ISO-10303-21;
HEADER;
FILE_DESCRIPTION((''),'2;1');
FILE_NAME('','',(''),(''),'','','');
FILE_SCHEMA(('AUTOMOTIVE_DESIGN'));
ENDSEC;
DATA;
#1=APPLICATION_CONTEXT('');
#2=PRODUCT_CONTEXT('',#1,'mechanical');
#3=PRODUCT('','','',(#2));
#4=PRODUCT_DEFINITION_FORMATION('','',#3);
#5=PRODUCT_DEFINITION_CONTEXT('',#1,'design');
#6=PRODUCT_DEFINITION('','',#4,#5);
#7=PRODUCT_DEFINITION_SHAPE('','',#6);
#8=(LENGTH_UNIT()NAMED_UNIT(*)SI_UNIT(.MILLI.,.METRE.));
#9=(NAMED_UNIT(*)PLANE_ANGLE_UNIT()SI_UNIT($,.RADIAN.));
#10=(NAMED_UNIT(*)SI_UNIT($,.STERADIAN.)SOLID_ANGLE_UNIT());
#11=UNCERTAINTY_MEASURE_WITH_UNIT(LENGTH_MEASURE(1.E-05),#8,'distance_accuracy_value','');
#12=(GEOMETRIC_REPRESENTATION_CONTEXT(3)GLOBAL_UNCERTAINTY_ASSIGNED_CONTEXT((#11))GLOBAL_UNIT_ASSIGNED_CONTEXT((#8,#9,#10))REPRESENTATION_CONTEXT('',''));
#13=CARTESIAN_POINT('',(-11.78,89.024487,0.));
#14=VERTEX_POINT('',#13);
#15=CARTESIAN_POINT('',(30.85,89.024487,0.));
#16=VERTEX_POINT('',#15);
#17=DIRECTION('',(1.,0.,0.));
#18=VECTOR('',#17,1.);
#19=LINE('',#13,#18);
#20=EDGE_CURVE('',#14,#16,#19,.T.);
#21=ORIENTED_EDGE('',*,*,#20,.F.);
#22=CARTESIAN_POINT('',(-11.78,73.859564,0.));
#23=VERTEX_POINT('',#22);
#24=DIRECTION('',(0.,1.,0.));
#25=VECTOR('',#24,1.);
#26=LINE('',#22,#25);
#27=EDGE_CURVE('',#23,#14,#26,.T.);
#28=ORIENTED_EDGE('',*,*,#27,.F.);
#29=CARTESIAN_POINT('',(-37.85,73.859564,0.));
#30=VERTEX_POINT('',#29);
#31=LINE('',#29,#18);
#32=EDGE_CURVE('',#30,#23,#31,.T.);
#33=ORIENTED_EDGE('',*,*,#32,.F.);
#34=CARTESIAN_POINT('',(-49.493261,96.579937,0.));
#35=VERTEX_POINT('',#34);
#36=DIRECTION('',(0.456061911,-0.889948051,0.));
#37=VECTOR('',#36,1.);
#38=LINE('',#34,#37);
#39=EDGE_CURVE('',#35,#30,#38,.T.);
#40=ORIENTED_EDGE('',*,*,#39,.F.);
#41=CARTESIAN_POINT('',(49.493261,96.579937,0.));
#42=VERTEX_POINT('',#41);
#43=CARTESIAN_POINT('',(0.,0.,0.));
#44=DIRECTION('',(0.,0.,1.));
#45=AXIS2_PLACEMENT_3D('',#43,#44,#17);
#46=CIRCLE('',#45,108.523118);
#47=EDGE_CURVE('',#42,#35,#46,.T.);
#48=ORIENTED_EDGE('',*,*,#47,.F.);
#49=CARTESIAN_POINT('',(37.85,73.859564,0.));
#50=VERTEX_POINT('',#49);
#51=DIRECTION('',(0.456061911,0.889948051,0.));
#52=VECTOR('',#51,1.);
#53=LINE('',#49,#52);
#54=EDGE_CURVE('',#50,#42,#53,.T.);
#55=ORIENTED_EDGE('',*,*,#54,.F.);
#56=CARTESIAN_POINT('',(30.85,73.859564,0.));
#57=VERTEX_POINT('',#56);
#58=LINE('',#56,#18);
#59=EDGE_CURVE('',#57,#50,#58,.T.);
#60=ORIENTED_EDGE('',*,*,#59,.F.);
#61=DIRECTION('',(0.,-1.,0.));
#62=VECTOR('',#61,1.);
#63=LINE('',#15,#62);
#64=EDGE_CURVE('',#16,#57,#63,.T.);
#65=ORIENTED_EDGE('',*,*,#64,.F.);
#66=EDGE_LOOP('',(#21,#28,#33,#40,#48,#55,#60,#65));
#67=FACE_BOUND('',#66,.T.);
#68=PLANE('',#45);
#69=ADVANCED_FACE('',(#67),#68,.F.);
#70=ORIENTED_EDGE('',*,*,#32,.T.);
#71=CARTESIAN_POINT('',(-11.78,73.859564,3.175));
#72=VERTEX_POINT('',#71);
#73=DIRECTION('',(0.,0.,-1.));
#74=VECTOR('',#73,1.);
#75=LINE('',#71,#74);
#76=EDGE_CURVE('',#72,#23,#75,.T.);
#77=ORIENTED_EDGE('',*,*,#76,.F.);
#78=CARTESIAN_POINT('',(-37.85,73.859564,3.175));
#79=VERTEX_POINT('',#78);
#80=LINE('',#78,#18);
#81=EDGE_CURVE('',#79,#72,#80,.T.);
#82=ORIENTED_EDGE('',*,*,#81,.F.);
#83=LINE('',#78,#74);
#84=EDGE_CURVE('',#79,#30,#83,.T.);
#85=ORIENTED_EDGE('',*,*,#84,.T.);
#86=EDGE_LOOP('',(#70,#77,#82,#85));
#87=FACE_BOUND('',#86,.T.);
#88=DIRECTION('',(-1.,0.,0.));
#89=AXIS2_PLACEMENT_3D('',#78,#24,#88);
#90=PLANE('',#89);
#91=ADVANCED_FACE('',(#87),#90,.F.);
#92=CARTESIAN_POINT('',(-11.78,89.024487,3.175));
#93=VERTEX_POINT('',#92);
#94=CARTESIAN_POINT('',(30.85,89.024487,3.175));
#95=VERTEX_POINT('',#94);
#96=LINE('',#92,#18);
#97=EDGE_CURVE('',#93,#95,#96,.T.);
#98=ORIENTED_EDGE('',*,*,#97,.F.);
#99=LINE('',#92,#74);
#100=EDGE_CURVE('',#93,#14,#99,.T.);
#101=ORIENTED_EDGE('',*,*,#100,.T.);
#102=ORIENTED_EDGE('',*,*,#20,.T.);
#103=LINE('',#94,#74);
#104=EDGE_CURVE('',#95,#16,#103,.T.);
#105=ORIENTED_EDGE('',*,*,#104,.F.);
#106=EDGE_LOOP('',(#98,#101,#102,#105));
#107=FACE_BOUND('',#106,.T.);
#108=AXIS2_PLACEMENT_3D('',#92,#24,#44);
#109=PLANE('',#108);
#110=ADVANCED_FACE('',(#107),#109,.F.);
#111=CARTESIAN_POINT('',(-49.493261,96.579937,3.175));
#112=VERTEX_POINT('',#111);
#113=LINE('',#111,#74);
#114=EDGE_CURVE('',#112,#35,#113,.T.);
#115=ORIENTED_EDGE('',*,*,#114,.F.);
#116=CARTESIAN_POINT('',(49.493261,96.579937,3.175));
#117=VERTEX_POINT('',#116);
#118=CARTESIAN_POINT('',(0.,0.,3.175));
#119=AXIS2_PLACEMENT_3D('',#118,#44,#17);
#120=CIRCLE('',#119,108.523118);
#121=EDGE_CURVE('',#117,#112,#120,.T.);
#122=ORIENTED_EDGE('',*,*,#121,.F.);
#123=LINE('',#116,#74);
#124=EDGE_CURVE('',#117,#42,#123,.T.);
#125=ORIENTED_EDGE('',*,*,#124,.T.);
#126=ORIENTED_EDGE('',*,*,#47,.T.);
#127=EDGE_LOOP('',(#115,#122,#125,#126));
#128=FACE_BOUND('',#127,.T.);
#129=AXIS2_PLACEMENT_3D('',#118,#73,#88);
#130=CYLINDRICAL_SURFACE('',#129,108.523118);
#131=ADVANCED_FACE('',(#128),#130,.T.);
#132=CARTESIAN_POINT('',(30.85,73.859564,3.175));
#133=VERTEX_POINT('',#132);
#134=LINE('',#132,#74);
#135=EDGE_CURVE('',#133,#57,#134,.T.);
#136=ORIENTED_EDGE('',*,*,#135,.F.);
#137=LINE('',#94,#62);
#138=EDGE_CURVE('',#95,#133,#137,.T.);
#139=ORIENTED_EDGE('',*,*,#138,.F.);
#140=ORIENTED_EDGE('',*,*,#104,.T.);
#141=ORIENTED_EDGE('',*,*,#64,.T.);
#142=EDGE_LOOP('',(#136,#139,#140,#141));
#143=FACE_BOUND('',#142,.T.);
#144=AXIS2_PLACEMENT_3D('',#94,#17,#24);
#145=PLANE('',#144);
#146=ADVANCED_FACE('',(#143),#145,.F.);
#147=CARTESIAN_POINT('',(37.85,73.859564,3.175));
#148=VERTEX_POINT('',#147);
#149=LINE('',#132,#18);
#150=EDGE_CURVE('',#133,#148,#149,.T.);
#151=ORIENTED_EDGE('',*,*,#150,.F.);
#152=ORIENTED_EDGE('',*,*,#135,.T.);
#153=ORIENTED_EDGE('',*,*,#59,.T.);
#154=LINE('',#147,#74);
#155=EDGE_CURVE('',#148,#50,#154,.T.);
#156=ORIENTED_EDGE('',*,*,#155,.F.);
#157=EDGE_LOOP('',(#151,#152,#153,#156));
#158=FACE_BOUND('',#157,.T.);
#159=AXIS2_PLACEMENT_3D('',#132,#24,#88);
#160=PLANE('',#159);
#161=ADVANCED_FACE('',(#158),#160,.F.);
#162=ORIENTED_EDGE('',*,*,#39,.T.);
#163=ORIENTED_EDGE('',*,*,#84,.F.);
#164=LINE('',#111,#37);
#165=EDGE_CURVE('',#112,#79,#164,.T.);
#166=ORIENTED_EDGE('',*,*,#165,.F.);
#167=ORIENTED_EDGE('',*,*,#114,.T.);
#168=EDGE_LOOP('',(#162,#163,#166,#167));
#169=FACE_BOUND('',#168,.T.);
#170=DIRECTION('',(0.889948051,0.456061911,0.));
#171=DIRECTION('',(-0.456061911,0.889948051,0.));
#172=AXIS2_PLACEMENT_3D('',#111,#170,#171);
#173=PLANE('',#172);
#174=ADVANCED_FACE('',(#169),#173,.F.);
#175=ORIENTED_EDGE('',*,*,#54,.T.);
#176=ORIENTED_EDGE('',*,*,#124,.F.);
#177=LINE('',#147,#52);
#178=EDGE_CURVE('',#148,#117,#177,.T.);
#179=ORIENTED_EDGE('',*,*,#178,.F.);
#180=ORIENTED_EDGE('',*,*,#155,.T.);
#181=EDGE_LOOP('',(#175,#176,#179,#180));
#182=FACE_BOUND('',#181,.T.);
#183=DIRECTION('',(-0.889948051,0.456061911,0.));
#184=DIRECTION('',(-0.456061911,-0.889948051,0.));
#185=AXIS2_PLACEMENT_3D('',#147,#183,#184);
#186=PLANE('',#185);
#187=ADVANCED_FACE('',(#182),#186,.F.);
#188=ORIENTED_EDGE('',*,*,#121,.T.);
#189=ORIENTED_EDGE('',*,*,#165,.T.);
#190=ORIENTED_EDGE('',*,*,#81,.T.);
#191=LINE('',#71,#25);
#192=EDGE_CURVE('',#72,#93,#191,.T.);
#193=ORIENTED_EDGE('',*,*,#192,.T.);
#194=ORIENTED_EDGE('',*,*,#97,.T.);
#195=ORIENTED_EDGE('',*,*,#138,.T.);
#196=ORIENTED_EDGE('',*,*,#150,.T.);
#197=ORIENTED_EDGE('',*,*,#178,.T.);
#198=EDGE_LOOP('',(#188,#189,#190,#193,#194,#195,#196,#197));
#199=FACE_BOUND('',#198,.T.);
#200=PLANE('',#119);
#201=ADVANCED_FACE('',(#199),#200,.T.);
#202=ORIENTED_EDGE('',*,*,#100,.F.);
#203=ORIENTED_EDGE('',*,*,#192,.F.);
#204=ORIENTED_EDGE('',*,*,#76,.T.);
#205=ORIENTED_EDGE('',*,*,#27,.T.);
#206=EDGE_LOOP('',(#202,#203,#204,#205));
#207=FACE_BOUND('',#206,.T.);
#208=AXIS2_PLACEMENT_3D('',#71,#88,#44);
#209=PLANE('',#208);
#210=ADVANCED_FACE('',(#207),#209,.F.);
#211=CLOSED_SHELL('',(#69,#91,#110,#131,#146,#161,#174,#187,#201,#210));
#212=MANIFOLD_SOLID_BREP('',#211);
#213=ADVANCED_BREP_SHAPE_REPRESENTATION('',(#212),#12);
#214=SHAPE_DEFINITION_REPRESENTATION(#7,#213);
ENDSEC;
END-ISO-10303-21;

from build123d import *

# Parameters (mm, degrees)
BOSS_EXTRUDE1_DEPTH = 3.175


with BuildPart() as part:
    # Sketch1 → Boss-Extrude1 (new body)
    with BuildSketch(Plane.XY):
        with BuildLine():
            Line((-49.493260593, 96.579937313), (-37.85, 73.859563575))
            Line((-37.85, 73.859563575), (-11.78, 73.859563575))
            Line((-11.78, 73.859563575), (-11.78, 89.024487151))
            Line((-11.78, 89.024487151), (30.85, 89.024487151))
            Line((30.85, 89.024487151), (30.85, 73.859563575))
            Line((30.85, 73.859563575), (37.85, 73.859563575))
            Line((37.85, 73.859563575), (49.493260593, 96.579937313))
            ThreePointArc((49.493260593, 96.579937313), (0, 108.523117977), (-49.493260593, 96.579937313))
        make_face()
    extrude(amount=BOSS_EXTRUDE1_DEPTH)


solid = part.part
